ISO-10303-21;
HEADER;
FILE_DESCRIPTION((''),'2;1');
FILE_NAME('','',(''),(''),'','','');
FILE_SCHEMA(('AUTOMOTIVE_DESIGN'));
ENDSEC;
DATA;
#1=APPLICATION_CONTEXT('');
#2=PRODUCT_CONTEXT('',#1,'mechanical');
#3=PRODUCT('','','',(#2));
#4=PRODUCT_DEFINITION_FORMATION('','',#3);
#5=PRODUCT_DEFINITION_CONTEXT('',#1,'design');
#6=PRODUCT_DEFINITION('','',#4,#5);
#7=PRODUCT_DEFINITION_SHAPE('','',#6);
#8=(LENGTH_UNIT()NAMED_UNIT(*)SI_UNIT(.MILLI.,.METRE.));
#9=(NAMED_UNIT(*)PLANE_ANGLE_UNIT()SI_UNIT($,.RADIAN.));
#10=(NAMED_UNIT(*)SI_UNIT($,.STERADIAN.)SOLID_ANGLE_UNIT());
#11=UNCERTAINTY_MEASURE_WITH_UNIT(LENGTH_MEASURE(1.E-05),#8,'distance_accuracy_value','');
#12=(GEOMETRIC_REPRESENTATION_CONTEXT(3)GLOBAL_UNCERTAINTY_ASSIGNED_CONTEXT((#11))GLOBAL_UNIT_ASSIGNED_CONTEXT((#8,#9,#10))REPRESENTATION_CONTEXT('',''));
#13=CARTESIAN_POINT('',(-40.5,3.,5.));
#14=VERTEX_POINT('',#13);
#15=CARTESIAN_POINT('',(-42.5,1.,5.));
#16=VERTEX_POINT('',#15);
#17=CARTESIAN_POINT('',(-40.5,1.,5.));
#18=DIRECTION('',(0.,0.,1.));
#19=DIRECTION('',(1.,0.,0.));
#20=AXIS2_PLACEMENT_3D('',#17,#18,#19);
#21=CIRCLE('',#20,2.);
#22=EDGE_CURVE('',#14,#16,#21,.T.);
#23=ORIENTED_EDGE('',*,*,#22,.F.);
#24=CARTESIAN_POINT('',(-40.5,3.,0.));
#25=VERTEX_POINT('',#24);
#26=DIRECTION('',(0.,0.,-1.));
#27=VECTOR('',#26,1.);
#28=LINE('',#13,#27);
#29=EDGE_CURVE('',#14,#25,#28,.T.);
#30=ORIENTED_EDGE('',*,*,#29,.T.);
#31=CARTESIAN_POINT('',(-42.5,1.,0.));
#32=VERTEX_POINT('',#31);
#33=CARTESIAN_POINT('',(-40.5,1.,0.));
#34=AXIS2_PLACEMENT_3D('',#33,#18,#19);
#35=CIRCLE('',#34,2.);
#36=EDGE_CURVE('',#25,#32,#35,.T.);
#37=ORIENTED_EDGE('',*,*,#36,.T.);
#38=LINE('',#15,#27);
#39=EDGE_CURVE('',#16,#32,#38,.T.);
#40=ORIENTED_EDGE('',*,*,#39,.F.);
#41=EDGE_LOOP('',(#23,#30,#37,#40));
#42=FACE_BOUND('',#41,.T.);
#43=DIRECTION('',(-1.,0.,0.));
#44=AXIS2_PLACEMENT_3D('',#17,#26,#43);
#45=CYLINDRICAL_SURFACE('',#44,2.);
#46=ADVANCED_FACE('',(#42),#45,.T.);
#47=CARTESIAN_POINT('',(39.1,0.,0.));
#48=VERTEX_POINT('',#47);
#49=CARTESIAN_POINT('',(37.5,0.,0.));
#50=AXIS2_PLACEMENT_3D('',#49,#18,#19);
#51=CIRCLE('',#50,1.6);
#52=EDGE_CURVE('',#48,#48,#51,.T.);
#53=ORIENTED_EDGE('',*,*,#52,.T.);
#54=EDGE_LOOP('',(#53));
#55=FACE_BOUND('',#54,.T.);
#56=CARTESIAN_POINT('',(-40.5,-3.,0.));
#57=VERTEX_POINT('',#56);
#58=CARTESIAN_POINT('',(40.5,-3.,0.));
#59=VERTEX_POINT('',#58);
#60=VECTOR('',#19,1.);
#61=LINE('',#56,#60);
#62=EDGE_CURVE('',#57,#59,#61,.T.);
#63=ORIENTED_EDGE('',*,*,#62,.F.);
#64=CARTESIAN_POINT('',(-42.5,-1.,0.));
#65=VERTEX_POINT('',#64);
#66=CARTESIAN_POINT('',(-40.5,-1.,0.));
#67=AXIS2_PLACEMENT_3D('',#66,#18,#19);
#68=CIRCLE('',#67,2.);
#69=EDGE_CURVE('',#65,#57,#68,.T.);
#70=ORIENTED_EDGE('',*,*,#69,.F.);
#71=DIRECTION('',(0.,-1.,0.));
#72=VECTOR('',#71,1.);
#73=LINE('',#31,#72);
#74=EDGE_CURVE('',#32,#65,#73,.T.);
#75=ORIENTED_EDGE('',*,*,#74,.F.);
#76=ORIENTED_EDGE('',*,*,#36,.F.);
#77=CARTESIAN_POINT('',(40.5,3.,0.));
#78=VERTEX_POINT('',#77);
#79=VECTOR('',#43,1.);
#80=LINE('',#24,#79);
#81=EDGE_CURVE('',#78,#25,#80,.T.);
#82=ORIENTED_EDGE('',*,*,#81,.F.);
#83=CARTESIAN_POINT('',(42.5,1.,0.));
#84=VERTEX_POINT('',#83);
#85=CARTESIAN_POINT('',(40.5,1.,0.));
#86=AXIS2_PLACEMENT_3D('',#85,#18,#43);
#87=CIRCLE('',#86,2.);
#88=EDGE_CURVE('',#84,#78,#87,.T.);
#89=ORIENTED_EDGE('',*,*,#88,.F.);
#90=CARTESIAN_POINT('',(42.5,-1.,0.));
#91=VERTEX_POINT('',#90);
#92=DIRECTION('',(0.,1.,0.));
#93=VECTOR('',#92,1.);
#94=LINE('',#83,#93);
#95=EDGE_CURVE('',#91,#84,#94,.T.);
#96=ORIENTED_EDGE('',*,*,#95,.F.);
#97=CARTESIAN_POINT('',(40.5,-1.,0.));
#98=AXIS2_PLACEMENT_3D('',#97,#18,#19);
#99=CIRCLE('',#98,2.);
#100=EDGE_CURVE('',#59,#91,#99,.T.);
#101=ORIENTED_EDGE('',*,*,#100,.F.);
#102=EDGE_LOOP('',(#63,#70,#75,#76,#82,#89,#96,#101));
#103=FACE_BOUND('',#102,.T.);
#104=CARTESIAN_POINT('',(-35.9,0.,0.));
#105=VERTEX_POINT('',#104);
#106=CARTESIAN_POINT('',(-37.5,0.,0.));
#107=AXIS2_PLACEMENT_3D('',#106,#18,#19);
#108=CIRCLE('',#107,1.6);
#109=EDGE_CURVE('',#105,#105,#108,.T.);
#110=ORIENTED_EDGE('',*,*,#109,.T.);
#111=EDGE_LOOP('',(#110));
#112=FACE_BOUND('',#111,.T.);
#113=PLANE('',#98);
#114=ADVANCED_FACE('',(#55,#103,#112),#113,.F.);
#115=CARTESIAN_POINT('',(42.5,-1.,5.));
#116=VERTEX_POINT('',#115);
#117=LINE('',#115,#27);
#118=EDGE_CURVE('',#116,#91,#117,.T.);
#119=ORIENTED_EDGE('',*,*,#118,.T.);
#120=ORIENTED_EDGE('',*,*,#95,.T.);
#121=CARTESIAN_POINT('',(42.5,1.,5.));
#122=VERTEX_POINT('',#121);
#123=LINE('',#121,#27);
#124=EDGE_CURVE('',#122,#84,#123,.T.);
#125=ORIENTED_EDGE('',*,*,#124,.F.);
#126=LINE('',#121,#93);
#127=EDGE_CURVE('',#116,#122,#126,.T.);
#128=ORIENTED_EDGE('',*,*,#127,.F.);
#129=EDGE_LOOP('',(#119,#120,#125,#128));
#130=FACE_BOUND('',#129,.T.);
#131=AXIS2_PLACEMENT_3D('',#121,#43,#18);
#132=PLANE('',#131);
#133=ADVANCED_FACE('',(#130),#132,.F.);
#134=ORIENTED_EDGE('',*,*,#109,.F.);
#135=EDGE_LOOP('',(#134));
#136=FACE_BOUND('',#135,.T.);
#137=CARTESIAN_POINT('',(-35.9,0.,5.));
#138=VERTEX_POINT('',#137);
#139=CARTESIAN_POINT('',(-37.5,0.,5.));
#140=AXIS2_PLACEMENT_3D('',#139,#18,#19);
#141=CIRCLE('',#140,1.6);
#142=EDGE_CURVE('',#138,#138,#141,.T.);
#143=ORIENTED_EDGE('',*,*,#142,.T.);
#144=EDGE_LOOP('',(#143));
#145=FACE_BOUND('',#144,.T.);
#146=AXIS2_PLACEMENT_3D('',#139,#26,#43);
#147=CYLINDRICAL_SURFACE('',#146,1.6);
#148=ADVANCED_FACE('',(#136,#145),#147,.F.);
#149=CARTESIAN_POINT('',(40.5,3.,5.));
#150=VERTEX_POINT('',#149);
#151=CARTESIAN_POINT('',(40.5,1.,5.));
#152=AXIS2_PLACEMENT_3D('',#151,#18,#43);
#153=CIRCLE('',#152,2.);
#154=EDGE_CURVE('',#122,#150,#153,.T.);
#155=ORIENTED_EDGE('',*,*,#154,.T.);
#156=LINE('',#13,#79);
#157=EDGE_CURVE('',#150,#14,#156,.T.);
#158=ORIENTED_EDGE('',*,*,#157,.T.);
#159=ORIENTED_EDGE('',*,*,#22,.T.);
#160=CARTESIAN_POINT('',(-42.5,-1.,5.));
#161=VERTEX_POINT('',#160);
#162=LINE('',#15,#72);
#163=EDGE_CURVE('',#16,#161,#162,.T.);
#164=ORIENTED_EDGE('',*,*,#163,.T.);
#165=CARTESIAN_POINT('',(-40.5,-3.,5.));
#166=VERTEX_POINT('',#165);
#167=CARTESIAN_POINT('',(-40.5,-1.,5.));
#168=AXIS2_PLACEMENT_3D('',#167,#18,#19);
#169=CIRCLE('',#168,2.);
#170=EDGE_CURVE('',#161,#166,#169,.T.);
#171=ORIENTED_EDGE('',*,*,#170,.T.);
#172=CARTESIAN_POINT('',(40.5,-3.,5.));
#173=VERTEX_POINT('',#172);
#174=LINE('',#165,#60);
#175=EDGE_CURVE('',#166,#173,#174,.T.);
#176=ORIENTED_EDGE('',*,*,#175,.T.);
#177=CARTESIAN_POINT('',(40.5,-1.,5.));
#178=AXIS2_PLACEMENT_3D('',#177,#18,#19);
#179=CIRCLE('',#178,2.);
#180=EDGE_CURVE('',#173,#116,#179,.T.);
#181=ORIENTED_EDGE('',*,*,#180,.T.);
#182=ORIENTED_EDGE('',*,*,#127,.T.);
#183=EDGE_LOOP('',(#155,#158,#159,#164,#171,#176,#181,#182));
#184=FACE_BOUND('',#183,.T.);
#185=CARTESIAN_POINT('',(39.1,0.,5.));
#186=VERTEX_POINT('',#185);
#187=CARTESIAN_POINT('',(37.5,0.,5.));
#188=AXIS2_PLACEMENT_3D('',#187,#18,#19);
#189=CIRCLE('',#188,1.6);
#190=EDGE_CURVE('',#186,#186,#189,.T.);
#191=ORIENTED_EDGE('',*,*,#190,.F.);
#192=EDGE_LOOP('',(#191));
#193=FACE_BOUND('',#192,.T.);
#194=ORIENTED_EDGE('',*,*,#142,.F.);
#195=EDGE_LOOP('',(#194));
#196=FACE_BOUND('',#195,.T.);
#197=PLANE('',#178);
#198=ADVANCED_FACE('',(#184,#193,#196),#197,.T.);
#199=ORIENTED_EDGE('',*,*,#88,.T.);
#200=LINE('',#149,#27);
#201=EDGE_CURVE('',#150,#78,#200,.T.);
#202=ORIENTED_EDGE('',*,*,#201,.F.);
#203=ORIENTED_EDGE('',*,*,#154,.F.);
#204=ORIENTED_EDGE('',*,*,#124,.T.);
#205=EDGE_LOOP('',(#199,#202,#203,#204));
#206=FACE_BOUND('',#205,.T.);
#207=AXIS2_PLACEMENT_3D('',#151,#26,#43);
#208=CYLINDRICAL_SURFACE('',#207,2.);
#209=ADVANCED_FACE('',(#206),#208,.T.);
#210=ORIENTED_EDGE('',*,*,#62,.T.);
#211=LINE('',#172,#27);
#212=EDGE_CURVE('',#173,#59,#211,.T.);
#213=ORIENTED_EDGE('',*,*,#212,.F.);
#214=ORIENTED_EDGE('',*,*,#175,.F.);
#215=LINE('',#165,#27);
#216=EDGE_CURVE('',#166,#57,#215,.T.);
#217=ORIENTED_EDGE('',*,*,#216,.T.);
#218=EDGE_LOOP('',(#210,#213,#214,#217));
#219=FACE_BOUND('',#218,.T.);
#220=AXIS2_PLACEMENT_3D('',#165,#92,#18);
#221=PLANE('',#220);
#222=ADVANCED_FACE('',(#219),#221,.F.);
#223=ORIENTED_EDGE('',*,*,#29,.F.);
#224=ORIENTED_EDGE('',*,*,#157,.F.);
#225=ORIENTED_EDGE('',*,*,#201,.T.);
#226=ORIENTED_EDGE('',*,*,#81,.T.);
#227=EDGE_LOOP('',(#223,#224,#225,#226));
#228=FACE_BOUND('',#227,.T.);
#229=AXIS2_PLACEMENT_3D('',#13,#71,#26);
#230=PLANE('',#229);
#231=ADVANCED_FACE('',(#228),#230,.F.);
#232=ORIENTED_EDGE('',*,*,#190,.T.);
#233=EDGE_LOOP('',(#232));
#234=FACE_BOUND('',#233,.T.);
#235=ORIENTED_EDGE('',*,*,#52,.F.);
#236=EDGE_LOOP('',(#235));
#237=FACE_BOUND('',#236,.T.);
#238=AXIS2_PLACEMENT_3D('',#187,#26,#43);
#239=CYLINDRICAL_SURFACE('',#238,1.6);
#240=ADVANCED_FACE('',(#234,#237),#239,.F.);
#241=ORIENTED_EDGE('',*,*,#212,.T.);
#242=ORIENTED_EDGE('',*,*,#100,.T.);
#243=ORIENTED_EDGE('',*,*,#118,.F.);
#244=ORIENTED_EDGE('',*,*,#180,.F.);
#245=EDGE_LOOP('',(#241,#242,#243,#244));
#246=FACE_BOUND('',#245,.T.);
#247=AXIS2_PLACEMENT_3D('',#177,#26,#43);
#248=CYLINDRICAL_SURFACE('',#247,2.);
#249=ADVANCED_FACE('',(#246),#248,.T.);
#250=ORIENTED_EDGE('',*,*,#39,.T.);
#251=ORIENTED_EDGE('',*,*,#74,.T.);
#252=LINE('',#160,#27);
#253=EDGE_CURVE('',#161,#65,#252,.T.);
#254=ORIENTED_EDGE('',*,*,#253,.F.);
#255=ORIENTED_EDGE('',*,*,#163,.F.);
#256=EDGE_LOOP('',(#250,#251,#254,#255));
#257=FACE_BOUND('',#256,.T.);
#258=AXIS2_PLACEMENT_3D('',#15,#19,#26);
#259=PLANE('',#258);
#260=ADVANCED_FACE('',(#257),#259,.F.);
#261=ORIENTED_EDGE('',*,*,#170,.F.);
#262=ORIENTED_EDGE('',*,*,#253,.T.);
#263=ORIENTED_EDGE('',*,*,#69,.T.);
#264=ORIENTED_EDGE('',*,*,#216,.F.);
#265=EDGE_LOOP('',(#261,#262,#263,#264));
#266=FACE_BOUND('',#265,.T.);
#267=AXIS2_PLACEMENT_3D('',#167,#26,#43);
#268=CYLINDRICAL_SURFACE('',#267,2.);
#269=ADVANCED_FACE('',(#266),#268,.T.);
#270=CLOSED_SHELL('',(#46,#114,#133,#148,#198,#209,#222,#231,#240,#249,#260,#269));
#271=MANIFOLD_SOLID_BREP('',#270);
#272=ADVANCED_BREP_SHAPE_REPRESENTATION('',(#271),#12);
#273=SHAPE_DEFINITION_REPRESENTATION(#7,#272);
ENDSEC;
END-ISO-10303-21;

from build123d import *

# Parameters (mm, degrees)
SKETCH1_R           = 1.6
BOSS_EXTRUDE1_DEPTH = 5


with BuildPart() as part:
    # Sketch1 → Boss-Extrude1 (new body)
    with BuildSketch(Plane.XY):
        with BuildLine():
            Line((-40.5, 3), (40.5, 3))
            ThreePointArc((40.5, 3), (41.914213562, 2.414213562), (42.5, 1))
            Line((42.5, 1), (42.5, -1))
            ThreePointArc((42.5, -1), (41.914213562, -2.414213562), (40.5, -3))
            Line((40.5, -3), (-40.5, -3))
            ThreePointArc((-40.5, -3), (-41.914213562, -2.414213562), (-42.5, -1))
            Line((-42.5, -1), (-42.5, 1))
            ThreePointArc((-42.5, 1), (-41.914213562, 2.414213562), (-40.5, 3))
        make_face()
        with Locations((-37.5, 0)):
            Circle(SKETCH1_R, mode=Mode.SUBTRACT)
        with Locations((37.5, 0)):
            Circle(SKETCH1_R, mode=Mode.SUBTRACT)
    extrude(amount=BOSS_EXTRUDE1_DEPTH)


solid = part.part
